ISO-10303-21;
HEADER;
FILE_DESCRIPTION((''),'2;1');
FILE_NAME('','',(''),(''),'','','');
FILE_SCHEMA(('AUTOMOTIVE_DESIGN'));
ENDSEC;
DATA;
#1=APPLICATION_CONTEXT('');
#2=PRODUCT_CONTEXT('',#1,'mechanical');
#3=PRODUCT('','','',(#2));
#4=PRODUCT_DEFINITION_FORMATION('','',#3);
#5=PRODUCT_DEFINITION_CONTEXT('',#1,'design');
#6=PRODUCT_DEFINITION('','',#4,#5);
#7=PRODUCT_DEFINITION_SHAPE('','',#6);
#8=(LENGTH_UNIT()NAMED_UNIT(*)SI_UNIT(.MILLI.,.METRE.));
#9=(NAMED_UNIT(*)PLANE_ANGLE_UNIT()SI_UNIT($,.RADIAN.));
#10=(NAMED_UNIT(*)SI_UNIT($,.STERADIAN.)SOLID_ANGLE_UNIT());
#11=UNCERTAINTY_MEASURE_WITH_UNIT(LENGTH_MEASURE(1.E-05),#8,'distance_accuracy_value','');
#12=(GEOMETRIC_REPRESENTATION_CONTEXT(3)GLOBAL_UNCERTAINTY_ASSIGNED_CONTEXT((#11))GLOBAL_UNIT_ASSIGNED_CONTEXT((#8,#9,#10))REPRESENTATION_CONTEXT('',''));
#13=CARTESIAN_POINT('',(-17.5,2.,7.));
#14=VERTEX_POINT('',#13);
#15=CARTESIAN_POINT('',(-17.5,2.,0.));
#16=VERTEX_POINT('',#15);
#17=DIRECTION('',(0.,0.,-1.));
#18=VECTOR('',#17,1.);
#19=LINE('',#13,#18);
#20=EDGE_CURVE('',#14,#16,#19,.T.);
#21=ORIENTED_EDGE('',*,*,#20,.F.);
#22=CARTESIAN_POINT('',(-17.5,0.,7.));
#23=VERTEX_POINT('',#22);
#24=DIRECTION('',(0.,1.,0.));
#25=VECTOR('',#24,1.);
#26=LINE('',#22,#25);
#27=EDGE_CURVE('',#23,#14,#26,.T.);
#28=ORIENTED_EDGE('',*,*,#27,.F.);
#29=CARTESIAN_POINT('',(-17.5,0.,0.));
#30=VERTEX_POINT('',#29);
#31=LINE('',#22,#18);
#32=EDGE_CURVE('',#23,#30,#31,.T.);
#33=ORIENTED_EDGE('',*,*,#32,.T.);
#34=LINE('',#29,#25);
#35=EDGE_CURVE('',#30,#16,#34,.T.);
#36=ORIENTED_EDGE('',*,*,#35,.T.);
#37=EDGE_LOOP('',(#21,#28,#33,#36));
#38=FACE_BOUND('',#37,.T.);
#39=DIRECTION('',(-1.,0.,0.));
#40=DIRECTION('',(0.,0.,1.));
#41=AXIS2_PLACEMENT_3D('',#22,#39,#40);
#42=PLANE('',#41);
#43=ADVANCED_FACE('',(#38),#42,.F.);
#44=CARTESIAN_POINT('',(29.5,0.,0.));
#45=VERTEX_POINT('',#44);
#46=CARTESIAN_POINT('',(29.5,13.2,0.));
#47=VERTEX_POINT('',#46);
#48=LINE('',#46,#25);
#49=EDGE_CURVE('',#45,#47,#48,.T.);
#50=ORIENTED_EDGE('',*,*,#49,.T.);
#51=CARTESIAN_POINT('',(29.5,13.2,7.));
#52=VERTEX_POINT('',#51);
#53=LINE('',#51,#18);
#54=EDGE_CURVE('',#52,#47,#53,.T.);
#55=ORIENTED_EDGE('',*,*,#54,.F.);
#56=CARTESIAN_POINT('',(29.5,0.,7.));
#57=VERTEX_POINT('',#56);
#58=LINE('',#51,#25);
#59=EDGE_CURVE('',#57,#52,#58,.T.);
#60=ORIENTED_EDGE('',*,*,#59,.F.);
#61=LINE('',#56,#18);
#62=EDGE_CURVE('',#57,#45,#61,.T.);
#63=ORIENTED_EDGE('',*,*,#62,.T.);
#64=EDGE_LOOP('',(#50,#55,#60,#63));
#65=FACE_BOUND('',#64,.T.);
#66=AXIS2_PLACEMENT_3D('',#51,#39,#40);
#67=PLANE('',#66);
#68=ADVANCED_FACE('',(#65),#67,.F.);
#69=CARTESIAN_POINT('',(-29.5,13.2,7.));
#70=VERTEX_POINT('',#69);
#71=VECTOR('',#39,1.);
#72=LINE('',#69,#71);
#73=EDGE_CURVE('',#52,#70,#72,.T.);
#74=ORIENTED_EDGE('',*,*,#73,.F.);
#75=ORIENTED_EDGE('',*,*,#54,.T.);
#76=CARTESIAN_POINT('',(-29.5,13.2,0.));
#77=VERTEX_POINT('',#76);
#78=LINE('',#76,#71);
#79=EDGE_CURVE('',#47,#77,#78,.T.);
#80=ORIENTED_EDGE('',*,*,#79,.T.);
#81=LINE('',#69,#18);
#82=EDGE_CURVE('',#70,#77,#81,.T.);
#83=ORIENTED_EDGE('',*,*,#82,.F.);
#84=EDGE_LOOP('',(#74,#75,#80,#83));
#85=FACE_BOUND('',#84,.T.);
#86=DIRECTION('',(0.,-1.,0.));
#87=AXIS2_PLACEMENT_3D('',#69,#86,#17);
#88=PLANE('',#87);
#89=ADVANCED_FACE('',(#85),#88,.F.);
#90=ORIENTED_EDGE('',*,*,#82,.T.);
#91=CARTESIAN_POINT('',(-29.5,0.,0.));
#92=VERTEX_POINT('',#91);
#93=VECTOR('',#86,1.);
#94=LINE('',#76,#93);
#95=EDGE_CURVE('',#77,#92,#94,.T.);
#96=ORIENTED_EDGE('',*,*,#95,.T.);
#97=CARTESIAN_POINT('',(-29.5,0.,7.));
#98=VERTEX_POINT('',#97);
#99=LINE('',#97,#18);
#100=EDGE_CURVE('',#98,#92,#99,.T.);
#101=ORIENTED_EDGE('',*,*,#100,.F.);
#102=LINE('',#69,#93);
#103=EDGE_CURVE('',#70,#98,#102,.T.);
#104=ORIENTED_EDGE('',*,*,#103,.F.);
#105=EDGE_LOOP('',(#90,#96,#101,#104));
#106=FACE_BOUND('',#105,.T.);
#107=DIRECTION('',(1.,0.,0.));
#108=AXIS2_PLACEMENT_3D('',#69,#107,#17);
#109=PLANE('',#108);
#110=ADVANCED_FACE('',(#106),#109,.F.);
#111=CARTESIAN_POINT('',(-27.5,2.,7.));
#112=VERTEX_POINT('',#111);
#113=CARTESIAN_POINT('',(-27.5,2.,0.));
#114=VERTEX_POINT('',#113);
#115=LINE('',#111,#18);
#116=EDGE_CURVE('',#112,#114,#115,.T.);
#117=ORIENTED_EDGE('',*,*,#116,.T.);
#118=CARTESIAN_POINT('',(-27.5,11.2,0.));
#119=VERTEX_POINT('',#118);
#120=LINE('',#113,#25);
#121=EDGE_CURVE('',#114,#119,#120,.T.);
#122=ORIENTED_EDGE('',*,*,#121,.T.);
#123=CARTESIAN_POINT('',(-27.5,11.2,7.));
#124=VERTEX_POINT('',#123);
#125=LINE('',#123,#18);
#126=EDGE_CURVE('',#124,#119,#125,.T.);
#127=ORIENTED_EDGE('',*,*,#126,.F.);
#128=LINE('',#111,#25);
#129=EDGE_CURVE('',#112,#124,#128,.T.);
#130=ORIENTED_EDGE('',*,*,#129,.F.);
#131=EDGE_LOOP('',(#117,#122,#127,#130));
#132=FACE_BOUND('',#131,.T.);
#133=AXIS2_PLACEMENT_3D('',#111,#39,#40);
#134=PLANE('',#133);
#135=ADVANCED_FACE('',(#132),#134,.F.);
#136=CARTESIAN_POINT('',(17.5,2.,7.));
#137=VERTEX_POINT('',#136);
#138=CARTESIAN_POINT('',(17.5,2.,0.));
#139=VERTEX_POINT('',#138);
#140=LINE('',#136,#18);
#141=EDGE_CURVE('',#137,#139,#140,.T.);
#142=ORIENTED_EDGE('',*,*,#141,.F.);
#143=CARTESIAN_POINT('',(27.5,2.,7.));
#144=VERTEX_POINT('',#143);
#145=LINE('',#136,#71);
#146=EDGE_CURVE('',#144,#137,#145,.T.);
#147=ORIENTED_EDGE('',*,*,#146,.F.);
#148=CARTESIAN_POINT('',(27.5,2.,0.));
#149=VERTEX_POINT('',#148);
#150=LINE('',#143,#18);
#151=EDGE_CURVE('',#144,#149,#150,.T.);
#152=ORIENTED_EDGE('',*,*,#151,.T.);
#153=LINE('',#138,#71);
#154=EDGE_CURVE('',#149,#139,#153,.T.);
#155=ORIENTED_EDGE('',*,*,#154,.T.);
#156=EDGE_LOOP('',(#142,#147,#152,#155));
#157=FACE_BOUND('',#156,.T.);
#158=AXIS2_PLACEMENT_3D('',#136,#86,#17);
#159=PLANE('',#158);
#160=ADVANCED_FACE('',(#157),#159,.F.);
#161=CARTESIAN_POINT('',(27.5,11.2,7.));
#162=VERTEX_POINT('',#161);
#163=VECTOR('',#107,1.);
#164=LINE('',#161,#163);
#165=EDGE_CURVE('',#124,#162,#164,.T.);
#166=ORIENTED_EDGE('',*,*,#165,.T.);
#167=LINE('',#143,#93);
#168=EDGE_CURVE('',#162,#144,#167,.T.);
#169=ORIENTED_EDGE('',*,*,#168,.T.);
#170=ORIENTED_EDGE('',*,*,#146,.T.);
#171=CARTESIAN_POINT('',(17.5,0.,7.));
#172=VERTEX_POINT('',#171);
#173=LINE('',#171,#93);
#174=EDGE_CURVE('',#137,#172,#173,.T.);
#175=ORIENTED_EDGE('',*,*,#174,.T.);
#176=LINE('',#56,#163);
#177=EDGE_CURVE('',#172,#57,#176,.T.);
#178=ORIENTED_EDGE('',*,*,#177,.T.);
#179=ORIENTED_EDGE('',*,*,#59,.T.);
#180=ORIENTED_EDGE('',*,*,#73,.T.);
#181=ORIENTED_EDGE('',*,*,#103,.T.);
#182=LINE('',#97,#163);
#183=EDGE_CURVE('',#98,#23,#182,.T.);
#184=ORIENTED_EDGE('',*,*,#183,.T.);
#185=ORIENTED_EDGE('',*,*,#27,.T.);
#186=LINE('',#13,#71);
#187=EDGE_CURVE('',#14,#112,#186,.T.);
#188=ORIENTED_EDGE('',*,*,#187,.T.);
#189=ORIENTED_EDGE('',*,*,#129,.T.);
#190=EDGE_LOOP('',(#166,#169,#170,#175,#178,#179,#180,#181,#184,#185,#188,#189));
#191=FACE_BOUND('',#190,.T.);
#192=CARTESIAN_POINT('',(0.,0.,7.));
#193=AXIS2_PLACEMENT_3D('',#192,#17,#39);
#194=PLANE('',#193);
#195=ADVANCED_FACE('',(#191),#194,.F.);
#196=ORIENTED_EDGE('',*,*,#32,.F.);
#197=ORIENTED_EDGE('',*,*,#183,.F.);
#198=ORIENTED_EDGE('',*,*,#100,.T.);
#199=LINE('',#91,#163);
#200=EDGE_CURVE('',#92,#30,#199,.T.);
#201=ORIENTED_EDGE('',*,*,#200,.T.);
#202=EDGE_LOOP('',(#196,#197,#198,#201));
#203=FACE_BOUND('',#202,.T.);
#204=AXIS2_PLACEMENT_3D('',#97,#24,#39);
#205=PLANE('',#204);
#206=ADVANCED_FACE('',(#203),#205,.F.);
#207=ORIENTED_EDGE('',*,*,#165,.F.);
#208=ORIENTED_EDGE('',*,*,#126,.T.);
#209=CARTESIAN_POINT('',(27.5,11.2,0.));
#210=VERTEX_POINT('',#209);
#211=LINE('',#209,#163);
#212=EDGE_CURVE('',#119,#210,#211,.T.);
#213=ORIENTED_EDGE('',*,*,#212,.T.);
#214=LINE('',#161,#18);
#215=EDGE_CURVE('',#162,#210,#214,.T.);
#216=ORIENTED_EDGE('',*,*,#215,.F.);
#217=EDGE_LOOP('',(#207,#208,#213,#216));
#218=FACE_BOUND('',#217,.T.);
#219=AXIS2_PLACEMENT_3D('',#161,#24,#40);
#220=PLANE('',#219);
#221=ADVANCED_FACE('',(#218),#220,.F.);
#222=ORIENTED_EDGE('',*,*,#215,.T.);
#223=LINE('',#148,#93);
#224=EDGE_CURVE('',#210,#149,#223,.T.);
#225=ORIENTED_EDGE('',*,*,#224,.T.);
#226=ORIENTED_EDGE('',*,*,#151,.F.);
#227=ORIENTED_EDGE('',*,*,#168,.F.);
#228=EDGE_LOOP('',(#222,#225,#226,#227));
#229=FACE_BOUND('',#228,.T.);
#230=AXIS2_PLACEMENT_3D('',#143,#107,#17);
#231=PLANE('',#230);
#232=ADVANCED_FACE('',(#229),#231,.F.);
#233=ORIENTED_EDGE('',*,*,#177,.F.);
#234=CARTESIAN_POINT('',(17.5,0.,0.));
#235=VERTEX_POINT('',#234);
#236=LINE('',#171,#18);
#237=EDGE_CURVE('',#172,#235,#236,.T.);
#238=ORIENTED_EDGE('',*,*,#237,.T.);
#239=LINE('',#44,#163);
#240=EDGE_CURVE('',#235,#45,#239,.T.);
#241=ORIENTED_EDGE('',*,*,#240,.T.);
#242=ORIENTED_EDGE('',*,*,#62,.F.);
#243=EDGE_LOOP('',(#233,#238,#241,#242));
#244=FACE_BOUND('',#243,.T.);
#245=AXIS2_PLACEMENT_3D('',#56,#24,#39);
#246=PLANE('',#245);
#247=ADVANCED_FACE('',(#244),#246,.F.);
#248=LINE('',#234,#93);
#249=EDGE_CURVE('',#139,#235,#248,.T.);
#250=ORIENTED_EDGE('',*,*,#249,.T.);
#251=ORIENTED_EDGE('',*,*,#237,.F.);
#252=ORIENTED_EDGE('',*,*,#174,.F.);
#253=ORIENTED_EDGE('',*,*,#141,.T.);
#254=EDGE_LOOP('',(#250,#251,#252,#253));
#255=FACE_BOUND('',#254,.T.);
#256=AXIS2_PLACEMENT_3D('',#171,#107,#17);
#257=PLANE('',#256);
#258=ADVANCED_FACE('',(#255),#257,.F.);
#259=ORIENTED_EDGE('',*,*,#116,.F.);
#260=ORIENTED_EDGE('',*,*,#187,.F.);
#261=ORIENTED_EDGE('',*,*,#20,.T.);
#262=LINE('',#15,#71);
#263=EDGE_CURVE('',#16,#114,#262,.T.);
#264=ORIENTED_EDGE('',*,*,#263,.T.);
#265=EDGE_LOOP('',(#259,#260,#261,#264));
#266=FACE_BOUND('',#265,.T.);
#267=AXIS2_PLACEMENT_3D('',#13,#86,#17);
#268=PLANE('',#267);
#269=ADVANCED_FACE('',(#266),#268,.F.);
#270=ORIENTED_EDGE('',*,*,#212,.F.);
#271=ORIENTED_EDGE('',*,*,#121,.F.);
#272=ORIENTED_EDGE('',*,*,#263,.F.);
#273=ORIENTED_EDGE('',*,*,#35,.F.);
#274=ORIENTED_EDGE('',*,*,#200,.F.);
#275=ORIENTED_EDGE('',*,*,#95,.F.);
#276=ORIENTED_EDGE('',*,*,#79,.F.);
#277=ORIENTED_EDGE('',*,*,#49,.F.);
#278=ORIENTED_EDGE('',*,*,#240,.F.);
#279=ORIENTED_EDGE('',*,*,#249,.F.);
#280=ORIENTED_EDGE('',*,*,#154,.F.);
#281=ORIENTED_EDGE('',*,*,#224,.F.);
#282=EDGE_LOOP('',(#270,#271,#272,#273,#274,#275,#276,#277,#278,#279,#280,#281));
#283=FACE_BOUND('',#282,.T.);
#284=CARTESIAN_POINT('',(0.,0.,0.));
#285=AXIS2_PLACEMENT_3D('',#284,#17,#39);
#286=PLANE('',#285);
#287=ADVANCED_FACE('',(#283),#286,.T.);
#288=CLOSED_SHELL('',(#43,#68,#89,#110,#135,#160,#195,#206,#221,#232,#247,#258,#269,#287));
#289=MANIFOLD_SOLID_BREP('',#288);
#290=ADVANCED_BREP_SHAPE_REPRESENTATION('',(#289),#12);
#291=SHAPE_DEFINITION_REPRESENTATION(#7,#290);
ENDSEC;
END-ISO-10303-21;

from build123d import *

# Parameters (mm, degrees)
BOSS_EXTRUDE1_DEPTH = 7


with BuildPart() as part:
    # Sketch1 → Boss-Extrude1 (new body)
    with BuildSketch(Plane.XY):
        Polygon((-29.5, 13.2), (29.5, 13.2), (29.5, 0), (17.5, 0), (17.5, 2), (27.5, 2), (27.5, 11.2), (-27.5, 11.2), (-27.5, 2), (-17.5, 2), (-17.5, 0), (-29.5, 0), align=None)
    extrude(amount=BOSS_EXTRUDE1_DEPTH)


solid = part.part
